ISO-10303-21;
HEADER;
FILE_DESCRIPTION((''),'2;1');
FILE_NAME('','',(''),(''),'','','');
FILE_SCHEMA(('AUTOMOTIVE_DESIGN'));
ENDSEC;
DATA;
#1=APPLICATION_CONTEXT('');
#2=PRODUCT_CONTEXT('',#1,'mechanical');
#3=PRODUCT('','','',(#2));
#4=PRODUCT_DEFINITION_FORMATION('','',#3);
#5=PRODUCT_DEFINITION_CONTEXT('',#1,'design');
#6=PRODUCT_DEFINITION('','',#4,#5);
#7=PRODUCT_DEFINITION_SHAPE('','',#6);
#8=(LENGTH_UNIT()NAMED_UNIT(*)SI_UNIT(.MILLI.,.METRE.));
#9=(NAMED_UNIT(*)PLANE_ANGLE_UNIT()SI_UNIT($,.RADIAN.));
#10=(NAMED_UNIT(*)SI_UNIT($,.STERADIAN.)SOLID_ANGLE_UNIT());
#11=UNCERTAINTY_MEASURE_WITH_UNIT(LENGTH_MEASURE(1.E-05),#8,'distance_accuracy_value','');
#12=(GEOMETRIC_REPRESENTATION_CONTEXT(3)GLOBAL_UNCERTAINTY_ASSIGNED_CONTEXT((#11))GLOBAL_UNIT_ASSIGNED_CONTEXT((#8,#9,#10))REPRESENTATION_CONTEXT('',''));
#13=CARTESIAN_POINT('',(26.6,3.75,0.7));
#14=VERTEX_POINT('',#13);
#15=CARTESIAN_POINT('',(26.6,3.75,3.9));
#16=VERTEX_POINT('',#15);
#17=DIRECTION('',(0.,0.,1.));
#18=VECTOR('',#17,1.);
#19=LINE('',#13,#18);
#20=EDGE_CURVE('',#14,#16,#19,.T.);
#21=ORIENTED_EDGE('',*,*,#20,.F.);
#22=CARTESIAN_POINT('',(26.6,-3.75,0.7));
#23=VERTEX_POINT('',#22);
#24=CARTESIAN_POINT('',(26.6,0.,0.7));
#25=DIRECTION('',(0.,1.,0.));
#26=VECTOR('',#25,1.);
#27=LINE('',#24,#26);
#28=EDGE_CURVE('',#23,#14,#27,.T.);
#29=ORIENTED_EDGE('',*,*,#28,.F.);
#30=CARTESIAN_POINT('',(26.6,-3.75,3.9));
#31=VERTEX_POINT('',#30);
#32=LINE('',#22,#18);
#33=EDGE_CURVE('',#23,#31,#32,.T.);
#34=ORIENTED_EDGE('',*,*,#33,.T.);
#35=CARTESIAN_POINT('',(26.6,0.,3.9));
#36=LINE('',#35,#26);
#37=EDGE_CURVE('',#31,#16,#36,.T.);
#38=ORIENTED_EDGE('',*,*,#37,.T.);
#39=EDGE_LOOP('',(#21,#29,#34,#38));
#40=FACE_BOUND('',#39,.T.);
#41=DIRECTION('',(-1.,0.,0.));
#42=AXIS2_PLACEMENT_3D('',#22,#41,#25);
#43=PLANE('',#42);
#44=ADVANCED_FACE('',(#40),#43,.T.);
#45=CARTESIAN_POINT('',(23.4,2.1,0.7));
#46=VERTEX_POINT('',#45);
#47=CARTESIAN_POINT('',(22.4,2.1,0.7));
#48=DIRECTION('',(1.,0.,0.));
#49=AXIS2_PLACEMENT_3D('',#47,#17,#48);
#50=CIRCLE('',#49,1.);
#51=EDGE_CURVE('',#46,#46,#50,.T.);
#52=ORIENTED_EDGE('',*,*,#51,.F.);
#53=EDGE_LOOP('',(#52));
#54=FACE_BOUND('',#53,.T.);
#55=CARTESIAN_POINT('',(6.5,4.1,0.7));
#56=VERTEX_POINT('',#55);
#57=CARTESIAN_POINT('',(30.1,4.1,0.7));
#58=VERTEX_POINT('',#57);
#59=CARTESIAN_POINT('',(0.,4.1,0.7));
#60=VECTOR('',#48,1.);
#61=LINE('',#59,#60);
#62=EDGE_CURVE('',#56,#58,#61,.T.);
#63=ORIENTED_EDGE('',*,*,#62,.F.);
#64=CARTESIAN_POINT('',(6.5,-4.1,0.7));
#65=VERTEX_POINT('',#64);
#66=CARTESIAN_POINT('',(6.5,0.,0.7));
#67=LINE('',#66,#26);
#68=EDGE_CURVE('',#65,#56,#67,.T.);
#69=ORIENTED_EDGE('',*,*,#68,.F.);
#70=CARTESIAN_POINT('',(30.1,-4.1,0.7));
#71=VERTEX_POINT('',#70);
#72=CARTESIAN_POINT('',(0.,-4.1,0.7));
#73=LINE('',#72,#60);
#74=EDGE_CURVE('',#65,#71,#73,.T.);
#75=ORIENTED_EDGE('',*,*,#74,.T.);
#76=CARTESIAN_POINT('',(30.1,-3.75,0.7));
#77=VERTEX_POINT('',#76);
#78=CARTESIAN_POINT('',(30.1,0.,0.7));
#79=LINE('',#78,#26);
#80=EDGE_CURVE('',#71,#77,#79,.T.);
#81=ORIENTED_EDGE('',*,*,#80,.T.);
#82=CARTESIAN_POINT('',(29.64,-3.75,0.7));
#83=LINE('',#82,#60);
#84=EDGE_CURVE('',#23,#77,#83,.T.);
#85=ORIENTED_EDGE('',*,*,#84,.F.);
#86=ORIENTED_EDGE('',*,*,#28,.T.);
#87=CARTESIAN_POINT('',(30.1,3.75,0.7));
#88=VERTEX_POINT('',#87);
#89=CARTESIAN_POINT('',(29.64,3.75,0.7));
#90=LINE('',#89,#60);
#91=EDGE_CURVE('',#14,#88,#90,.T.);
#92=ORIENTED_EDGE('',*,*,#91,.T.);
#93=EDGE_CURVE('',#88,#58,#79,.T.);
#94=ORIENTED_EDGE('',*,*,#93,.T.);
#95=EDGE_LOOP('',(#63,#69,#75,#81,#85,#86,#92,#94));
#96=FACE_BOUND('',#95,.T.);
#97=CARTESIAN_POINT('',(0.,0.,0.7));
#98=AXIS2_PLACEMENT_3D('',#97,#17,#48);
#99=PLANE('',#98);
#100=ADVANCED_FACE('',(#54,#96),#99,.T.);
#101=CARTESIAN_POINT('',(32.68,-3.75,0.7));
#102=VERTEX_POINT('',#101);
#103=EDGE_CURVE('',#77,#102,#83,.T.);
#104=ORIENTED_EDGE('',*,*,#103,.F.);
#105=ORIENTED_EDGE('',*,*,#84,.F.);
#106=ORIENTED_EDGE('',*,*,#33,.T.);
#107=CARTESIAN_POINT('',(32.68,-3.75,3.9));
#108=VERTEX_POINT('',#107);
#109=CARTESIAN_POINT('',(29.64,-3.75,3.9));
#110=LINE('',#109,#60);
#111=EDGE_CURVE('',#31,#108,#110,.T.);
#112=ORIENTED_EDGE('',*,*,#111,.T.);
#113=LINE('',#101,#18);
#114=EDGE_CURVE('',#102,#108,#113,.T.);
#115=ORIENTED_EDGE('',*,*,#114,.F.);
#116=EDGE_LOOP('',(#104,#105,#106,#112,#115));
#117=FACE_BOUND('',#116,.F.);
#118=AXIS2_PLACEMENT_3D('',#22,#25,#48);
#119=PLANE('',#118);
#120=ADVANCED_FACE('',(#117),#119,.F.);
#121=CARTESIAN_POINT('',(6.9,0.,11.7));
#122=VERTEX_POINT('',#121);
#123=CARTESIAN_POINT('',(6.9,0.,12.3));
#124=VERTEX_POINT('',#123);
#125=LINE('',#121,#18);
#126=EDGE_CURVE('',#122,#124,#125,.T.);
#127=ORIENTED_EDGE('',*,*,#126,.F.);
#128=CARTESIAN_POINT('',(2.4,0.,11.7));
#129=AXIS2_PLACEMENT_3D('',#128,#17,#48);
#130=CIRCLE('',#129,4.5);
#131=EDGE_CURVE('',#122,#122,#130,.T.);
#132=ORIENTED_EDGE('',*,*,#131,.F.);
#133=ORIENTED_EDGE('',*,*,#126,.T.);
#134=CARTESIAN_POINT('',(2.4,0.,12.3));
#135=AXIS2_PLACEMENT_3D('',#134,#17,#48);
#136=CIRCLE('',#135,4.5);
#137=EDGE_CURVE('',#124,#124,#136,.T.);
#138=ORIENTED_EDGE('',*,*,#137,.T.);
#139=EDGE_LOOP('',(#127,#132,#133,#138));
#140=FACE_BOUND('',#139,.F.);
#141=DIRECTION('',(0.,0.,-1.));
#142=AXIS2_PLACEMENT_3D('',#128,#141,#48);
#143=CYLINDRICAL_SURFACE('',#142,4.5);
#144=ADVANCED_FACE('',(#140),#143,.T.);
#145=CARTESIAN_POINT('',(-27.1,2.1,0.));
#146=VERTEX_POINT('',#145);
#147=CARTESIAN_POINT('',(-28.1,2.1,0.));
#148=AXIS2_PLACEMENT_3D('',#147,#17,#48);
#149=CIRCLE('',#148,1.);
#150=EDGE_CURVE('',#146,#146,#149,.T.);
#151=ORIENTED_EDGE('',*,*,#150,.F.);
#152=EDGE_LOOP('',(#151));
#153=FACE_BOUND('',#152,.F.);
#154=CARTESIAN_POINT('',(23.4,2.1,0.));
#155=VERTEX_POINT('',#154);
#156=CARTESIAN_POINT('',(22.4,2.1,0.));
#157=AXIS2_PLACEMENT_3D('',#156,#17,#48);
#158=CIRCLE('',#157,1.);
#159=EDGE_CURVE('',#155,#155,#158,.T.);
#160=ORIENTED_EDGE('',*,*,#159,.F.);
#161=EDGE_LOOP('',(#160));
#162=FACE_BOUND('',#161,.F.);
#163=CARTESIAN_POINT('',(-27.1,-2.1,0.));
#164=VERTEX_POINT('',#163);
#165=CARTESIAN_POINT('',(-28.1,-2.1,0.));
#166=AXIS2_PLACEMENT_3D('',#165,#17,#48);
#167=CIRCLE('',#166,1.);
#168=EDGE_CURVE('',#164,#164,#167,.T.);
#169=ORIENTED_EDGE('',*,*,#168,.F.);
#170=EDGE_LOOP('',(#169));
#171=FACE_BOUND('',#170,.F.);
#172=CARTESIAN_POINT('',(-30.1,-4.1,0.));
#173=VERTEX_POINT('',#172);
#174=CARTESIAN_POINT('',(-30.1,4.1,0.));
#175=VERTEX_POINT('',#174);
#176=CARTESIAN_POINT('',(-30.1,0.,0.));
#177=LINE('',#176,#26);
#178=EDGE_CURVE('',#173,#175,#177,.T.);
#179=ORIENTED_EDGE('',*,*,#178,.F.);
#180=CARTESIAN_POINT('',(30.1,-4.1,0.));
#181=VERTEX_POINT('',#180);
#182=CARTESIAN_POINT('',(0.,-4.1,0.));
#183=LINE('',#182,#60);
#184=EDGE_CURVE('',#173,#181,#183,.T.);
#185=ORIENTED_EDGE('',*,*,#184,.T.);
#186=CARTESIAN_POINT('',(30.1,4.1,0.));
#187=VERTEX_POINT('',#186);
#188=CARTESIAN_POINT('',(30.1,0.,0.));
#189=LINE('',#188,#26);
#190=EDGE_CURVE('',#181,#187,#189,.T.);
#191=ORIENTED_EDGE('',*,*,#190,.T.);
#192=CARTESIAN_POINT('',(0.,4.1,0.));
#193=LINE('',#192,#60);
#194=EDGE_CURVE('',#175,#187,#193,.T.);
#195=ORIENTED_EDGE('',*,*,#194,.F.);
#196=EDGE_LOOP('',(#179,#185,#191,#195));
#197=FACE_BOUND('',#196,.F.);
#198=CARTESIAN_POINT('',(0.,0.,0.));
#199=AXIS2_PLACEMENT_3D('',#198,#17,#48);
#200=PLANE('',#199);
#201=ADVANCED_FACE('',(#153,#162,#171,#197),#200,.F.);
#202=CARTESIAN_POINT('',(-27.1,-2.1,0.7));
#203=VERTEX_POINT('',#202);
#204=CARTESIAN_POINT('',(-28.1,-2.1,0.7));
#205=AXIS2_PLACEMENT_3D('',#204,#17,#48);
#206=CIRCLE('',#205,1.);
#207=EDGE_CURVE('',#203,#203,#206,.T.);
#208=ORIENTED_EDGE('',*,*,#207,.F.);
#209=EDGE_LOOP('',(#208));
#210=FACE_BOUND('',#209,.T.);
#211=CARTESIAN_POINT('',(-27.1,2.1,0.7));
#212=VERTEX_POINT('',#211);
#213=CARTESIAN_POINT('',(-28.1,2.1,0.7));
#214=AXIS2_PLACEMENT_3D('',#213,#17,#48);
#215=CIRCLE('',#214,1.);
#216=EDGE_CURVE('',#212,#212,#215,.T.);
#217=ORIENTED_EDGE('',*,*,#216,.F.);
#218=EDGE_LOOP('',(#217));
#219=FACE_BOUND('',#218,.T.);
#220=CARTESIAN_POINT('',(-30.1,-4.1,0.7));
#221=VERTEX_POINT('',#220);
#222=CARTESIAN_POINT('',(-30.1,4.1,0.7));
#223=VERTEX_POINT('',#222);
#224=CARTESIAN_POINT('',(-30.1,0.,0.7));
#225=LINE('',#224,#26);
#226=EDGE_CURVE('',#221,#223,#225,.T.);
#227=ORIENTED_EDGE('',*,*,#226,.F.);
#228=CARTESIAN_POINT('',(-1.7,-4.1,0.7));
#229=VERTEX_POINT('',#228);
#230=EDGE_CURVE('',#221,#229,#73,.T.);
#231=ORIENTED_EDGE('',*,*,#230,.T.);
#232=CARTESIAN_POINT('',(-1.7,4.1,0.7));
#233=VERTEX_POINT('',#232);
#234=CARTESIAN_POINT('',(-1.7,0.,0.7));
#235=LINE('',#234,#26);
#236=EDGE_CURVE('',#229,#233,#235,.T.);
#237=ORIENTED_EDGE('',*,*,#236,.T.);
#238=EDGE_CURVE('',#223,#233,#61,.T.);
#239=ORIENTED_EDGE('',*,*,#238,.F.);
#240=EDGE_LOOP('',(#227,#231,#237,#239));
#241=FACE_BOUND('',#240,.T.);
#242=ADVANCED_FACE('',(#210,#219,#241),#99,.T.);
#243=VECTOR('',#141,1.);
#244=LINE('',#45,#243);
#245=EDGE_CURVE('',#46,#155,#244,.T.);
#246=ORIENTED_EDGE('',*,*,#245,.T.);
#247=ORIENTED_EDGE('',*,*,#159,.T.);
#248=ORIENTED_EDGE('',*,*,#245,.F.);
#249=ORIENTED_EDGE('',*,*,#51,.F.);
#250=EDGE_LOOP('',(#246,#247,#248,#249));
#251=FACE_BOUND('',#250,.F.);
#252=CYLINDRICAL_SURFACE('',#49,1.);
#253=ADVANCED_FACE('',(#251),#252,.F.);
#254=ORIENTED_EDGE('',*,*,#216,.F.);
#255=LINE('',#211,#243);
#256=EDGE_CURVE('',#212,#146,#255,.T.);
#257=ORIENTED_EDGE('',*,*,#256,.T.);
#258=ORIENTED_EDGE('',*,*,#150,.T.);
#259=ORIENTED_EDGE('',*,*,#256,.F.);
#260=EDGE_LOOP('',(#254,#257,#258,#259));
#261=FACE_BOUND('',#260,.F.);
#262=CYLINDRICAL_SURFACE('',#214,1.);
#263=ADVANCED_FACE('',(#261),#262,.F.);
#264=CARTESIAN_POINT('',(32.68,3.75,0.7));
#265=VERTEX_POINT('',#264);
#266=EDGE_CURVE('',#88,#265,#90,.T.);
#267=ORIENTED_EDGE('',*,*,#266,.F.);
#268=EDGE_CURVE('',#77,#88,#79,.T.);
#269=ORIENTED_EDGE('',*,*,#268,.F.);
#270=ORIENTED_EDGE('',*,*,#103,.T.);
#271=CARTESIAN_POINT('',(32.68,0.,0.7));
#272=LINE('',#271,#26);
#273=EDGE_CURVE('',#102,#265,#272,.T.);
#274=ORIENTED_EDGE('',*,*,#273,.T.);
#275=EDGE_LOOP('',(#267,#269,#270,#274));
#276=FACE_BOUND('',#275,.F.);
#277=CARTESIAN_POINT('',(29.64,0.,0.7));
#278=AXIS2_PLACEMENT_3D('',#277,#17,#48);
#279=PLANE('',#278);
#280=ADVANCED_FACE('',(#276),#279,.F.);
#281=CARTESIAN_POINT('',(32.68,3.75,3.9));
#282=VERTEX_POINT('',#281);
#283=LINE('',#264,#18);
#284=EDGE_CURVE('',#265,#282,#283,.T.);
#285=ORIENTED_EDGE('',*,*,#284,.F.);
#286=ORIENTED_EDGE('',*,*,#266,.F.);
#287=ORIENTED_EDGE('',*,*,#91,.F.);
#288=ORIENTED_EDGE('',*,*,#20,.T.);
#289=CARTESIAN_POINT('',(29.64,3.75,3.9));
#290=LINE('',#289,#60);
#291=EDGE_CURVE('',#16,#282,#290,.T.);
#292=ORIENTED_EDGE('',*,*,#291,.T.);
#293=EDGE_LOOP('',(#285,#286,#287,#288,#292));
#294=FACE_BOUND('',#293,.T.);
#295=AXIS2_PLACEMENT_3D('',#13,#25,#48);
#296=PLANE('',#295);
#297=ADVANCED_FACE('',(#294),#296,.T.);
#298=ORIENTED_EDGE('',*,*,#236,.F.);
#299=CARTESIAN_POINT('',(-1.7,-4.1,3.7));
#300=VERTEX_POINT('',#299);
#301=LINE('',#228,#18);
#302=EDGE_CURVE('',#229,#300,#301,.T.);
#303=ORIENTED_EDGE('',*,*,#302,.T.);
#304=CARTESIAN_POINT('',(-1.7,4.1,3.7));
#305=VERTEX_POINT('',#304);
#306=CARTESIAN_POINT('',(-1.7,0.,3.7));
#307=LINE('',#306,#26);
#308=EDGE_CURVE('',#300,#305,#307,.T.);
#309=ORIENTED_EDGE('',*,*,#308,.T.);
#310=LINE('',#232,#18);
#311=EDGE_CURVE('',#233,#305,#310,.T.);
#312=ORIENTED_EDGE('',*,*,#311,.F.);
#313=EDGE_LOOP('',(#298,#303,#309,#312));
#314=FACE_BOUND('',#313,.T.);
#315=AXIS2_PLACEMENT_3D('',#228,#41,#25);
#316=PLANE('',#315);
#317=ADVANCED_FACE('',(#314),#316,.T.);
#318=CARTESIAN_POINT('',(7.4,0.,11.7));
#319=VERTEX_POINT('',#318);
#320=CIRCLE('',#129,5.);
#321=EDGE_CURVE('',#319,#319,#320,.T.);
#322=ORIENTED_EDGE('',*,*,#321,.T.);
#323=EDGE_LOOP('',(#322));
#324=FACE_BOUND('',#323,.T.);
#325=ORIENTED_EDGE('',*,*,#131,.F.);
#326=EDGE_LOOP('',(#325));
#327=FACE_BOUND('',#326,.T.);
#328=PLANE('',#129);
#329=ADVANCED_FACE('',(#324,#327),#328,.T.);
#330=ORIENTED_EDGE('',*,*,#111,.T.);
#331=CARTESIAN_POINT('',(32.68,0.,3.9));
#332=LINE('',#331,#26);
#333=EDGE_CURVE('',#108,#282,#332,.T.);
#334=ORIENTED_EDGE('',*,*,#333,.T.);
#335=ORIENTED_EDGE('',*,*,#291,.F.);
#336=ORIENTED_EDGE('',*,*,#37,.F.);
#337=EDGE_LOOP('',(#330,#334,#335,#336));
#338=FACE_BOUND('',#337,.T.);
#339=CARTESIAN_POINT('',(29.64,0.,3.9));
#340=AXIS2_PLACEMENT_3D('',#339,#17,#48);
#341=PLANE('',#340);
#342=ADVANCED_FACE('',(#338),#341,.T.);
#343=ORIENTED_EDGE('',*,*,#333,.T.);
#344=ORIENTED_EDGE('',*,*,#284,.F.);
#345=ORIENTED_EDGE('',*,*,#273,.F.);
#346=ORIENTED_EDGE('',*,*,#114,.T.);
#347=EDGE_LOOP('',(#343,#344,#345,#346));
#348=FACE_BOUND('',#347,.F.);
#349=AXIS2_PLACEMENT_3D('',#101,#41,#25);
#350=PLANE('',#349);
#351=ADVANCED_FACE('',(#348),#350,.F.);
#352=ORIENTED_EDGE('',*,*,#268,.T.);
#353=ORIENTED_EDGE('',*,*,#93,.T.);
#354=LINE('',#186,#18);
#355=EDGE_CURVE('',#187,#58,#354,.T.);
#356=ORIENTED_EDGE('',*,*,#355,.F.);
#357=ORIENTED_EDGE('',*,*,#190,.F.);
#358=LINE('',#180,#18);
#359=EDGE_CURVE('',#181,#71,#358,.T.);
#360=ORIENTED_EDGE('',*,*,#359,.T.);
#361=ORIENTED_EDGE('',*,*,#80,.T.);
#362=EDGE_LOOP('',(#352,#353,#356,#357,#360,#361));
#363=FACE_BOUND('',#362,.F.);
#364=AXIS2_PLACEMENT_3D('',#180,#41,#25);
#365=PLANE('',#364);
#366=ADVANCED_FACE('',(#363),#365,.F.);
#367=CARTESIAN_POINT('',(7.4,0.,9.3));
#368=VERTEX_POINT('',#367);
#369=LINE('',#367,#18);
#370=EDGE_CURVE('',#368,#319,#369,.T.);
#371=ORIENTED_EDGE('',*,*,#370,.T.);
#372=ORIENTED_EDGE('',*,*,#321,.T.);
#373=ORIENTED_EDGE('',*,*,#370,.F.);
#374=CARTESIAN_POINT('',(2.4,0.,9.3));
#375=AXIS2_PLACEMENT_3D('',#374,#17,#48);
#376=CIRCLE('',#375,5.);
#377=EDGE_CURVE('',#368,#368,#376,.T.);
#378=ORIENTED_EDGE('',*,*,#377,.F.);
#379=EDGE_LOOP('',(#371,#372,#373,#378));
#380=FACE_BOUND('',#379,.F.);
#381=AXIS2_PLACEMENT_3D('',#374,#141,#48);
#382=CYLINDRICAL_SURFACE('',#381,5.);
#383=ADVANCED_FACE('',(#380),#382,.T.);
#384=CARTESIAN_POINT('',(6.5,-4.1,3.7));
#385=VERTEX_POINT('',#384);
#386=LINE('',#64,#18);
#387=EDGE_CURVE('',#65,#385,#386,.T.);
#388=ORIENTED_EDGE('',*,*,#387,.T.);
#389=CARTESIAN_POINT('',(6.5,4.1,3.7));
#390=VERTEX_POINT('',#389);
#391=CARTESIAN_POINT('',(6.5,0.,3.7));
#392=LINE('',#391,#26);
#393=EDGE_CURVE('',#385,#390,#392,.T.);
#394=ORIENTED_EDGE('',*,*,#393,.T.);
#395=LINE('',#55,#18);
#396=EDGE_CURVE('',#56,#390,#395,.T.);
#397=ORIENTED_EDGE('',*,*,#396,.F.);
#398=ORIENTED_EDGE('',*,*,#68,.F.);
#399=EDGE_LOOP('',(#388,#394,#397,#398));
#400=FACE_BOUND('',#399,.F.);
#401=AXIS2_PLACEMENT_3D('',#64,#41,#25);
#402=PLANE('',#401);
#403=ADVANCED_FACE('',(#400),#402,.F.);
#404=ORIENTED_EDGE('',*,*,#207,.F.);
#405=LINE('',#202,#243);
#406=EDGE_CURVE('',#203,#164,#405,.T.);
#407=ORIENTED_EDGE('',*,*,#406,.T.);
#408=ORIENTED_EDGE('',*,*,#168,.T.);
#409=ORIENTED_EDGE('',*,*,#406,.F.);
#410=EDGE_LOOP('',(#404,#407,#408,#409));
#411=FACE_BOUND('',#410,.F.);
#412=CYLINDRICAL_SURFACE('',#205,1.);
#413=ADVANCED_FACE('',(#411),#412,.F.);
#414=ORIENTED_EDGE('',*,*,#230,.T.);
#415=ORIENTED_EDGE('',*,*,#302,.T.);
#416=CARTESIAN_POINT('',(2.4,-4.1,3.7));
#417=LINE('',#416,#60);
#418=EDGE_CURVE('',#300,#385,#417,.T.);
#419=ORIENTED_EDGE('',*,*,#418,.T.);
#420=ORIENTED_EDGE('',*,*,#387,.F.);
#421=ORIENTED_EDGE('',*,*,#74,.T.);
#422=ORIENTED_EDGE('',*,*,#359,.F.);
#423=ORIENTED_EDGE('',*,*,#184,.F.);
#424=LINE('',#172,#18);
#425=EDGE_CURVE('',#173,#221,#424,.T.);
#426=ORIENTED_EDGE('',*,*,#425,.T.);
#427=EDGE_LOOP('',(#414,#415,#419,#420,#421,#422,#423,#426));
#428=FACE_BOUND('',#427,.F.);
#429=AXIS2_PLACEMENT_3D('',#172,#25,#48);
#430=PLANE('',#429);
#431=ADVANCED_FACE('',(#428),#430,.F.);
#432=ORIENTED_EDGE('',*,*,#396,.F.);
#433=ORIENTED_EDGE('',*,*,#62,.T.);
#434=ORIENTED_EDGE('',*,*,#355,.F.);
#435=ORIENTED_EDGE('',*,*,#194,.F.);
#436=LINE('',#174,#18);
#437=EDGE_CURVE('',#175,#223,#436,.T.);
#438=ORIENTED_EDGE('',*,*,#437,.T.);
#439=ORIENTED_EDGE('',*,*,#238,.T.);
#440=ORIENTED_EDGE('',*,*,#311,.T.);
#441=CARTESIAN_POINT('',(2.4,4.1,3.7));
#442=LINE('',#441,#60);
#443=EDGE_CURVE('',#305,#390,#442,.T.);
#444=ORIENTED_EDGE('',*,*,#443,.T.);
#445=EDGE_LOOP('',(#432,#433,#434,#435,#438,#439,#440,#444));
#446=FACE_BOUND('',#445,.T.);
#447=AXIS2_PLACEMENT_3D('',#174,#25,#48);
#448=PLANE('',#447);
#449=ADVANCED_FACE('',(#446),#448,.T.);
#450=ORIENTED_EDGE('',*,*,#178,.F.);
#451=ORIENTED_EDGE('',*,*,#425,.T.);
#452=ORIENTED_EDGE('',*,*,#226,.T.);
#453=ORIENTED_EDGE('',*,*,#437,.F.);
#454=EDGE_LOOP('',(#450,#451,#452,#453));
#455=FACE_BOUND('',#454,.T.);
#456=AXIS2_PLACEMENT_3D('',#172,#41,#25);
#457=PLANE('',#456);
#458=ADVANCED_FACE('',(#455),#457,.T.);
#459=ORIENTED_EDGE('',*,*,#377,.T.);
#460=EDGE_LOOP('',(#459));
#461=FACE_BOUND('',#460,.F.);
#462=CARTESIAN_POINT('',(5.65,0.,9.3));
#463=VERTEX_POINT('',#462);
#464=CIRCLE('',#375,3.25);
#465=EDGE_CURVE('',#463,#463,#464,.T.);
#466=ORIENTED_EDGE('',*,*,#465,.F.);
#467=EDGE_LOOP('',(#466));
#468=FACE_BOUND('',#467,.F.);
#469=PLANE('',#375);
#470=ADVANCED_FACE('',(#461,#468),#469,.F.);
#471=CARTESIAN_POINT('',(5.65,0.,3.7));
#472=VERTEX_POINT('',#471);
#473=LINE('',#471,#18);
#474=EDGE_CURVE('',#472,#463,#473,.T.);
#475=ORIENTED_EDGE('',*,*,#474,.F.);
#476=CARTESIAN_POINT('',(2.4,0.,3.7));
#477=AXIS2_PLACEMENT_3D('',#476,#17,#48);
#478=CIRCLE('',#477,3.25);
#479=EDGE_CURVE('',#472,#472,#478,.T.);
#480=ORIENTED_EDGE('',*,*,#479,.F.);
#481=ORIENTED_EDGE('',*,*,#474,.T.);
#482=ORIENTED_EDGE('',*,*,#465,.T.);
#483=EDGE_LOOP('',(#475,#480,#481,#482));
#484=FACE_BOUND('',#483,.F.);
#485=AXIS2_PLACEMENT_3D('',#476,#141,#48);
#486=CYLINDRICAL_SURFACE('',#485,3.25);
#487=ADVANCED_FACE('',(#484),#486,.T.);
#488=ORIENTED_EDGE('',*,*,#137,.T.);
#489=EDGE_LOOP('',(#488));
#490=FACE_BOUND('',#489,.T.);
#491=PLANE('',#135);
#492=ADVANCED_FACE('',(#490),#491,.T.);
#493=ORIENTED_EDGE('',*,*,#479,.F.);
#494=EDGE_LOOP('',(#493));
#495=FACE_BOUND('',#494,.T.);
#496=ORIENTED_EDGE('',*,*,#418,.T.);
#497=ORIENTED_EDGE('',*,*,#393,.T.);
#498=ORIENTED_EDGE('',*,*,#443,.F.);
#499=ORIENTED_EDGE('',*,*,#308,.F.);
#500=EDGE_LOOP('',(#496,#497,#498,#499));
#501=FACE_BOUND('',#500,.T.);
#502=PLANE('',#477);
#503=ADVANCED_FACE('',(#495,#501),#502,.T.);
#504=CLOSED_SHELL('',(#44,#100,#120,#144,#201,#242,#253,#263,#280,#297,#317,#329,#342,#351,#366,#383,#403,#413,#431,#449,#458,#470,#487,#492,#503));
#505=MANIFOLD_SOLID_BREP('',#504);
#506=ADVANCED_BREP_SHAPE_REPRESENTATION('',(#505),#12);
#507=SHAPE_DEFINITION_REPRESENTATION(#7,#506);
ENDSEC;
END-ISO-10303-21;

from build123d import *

# Parameters (mm, degrees)
SKETCH_W     = 60.2
SKETCH_H     = 8.2
PAD_DEPTH    = 0.7
SKETCH001_R  = 1
POCKET_DEPTH = 0.701
SKETCH002_W  = 8.2
SKETCH002_H  = 8.2
PAD001_DEPTH = 3
SKETCH003_R  = 3.25
PAD002_DEPTH = 5.6
SKETCH004_R  = 5
PAD003_DEPTH = 2.4
SKETCH005_R  = 4.5
PAD004_DEPTH = 0.6
SKETCH006_W  = 6.08
SKETCH006_H  = 7.5
PAD005_DEPTH = 3.2


with BuildPart() as part:
    # Sketch → Pad (new body)
    with BuildSketch(Plane.XY):
        Rectangle(SKETCH_W, SKETCH_H)
    extrude(amount=PAD_DEPTH)

    # Sketch001 → Pocket (cut, through all)
    with BuildSketch(Plane.XY.offset(0.7)):
        with Locations((-28.1, 2.1)):
            Circle(SKETCH001_R)
        with Locations((-28.1, -2.1)):
            Circle(SKETCH001_R)
        with Locations((22.4, 2.1)):
            Circle(SKETCH001_R)
    extrude(amount=-POCKET_DEPTH, mode=Mode.SUBTRACT)

    # Sketch002 → Pad001 (new body)
    with BuildSketch(Plane.XY.offset(0.7)):
        with Locations((2.4, 0)):
            Rectangle(SKETCH002_W, SKETCH002_H)
    extrude(amount=PAD001_DEPTH)

    # Sketch003 → Pad002 (new body)
    with BuildSketch(Plane.XY.offset(3.7)):
        with Locations((2.4, 0)):
            Circle(SKETCH003_R)
    extrude(amount=PAD002_DEPTH)

    # Sketch004 → Pad003 (new body)
    with BuildSketch(Plane.XY.offset(9.3)):
        with Locations((2.4, 0)):
            Circle(SKETCH004_R)
    extrude(amount=PAD003_DEPTH)

    # Sketch005 → Pad004 (new body)
    with BuildSketch(Plane.XY.offset(11.7)):
        with Locations((2.4, 0)):
            Circle(SKETCH005_R)
    extrude(amount=PAD004_DEPTH)

    # Sketch006 → Pad005 (new body)
    with BuildSketch(Plane.XY.offset(0.7)):
        with Locations((29.64, 0)):
            Rectangle(SKETCH006_W, SKETCH006_H)
    extrude(amount=PAD005_DEPTH)


solid = part.part
